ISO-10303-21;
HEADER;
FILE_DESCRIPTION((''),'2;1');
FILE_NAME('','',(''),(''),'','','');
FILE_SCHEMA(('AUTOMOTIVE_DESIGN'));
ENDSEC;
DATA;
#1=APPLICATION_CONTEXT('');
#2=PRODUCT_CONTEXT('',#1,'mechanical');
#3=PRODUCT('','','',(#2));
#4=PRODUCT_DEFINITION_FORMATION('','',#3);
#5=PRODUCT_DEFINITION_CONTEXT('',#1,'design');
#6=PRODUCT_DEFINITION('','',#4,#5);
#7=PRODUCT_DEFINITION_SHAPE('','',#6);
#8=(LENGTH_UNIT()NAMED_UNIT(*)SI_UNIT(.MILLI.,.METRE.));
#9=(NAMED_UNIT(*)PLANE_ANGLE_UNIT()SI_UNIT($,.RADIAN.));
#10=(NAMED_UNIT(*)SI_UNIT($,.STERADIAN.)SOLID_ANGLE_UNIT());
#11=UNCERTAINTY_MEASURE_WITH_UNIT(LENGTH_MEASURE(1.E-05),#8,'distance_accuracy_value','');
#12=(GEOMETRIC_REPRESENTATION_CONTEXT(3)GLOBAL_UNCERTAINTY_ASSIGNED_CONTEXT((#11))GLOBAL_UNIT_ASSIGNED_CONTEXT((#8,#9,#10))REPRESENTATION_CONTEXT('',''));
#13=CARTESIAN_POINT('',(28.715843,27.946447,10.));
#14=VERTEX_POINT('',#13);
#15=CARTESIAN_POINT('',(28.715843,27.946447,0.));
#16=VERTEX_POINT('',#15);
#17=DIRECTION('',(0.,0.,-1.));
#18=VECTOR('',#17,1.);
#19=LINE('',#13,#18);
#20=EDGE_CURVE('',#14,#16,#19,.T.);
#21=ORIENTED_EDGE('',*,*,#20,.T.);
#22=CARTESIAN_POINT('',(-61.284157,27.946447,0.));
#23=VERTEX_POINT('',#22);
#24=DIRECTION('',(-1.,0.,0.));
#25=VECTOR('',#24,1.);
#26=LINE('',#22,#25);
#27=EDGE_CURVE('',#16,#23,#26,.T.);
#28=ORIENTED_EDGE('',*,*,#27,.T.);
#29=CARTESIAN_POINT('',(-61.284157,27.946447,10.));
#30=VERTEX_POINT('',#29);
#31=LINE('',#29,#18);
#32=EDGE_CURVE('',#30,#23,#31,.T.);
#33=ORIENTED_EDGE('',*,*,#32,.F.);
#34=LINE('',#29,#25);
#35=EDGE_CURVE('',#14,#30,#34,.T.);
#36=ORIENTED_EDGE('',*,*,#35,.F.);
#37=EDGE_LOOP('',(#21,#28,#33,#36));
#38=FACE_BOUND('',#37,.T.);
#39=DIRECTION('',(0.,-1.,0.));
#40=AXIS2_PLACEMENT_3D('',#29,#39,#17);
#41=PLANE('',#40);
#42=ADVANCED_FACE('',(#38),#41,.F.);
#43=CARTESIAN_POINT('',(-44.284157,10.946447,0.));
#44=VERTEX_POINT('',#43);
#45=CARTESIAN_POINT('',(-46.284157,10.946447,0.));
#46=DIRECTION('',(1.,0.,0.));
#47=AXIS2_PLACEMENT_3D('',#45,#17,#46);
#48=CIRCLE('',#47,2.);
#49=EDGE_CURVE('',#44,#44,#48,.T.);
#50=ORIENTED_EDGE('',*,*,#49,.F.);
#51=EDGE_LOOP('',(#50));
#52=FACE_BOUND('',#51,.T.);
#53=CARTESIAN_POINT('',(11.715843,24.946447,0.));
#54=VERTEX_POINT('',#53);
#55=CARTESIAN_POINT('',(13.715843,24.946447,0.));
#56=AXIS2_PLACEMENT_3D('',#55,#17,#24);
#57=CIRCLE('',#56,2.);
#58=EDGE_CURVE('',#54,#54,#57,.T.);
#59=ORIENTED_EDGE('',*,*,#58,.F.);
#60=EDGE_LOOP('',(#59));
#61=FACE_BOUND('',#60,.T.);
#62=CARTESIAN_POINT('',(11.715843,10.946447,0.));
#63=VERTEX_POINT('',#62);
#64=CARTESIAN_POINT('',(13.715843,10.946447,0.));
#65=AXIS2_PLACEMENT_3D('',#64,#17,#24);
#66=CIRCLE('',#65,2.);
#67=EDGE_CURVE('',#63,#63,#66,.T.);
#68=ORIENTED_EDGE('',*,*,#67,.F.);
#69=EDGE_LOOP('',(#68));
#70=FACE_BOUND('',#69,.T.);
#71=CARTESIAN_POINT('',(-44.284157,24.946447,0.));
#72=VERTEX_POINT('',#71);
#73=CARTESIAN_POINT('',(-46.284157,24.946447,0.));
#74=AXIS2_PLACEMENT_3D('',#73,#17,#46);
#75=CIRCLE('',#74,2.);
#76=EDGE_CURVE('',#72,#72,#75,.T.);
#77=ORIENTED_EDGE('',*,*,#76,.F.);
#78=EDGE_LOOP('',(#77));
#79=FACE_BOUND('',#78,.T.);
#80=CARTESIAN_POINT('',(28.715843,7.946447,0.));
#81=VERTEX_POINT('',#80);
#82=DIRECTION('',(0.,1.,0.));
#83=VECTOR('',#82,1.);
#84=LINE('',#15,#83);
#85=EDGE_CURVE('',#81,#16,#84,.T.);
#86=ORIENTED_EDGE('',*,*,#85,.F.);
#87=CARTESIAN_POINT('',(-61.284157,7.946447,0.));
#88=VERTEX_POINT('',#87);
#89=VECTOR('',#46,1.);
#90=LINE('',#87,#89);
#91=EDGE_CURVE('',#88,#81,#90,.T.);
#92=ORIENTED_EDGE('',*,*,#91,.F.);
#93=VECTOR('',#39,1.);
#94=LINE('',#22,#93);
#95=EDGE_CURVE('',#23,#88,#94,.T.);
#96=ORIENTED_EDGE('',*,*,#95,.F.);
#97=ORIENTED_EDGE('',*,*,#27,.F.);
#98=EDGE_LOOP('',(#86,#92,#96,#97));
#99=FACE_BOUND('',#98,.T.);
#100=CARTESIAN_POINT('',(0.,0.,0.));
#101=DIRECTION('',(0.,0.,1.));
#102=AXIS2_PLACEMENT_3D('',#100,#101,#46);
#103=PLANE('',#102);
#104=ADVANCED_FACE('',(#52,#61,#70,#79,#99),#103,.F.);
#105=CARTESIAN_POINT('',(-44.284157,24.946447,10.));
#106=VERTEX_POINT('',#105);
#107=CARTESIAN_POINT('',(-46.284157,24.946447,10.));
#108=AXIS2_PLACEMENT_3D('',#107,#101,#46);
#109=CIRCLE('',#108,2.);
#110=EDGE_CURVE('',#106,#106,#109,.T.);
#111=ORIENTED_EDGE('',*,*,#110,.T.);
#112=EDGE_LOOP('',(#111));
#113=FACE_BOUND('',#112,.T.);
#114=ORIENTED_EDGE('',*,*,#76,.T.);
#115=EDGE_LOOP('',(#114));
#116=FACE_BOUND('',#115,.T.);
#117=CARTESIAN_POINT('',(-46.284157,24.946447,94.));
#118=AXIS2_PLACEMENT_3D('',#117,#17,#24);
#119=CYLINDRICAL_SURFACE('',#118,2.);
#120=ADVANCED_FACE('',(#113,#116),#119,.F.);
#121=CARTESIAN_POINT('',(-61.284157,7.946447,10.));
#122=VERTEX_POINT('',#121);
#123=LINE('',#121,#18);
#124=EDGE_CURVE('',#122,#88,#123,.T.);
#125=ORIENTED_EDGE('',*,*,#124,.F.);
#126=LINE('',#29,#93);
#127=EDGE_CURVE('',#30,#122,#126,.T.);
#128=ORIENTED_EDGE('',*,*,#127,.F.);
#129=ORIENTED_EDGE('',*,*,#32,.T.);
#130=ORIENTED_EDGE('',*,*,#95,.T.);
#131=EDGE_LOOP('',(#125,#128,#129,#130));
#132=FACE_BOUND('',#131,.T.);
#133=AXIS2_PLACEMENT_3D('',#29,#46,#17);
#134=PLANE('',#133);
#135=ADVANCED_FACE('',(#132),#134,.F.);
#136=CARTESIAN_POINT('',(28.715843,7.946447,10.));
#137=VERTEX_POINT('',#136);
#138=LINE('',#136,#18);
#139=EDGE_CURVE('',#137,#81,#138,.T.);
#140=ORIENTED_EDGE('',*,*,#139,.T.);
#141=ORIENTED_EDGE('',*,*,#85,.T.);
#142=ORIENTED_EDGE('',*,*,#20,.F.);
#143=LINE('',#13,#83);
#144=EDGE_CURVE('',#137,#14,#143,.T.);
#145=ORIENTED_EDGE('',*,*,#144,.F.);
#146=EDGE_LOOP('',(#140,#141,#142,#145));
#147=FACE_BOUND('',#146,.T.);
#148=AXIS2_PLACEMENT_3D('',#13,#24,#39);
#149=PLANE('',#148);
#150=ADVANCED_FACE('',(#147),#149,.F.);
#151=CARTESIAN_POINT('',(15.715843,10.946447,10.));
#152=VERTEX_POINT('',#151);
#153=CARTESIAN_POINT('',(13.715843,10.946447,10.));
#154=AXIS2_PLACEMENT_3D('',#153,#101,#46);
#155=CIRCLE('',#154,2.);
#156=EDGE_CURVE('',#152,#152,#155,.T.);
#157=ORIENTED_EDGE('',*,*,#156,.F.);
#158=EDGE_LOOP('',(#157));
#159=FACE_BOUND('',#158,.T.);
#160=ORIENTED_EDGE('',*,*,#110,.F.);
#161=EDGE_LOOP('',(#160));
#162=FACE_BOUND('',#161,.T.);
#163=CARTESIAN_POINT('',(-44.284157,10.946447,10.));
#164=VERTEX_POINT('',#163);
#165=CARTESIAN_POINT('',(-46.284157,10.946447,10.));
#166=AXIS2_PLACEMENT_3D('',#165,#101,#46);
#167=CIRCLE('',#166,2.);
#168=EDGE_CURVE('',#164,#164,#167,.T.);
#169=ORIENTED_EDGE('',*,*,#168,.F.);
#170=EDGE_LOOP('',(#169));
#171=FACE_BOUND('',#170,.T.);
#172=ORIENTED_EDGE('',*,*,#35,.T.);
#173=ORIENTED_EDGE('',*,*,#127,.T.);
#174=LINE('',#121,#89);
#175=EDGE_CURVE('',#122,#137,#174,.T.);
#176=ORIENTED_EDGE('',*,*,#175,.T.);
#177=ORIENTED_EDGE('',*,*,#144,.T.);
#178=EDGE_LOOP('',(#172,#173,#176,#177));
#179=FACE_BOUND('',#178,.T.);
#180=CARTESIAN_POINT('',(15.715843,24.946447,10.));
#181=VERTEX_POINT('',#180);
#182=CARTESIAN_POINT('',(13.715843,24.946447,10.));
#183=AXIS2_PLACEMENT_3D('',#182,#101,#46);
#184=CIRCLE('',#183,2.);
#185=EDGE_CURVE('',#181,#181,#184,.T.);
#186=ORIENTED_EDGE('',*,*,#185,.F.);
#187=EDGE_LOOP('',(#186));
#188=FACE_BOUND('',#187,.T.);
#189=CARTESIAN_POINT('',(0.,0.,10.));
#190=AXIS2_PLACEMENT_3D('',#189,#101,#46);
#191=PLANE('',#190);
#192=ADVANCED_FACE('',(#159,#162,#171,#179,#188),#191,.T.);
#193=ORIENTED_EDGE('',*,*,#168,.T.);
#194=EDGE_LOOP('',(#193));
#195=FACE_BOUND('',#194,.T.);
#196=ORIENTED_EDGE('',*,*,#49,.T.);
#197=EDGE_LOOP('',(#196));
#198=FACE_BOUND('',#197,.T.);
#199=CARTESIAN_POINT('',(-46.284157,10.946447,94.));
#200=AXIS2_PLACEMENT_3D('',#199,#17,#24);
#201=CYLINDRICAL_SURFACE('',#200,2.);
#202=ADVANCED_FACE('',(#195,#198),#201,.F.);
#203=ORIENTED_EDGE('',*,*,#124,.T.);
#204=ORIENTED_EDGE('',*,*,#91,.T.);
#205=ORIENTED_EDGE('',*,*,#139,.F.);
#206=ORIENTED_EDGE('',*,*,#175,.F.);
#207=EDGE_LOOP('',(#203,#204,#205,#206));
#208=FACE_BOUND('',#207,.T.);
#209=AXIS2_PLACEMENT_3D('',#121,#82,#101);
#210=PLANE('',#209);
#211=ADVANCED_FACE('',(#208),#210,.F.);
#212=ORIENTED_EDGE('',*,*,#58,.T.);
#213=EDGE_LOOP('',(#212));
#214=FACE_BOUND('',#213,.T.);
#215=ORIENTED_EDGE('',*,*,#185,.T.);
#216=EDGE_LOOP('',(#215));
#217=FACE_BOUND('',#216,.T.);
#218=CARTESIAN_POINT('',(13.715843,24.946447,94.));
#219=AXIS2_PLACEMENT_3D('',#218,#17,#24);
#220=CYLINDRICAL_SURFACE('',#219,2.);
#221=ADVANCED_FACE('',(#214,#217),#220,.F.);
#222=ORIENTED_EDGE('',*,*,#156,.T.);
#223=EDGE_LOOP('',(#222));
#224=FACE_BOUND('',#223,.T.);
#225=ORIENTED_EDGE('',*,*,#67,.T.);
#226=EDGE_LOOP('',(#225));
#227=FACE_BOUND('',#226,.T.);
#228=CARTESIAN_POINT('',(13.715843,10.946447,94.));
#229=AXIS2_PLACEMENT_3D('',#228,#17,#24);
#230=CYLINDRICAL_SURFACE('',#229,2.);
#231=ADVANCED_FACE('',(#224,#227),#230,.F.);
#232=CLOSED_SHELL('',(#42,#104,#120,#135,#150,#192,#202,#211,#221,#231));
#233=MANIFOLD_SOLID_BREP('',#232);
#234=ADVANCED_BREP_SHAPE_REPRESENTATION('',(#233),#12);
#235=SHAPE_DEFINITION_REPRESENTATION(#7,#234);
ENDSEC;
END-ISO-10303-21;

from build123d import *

# Parameters (mm, degrees)
ESQUISSE1_W             = 90
ESQUISSE1_H             = 20
BOSS_EXTRU_1_DEPTH      = 10
ESQUISSE2_R             = 2
ENL_V_MAT_EXTRU_2_DEPTH = 94


with BuildPart() as part:
    # Esquisse1 → Boss.-Extru.1 (new body)
    with BuildSketch(Plane.XY):
        with Locations((-16.284157465, 17.946446701)):
            Rectangle(ESQUISSE1_W, ESQUISSE1_H)
    extrude(amount=BOSS_EXTRU_1_DEPTH)

    # Esquisse2 → Enlèv. mat.-Extru.2 (cut)
    with BuildSketch(Plane(origin=(0, 0, 0), x_dir=(-1, 0, 0), z_dir=(0, 0, -1))):
        with Locations((-13.715842535, 24.946446701)):
            Circle(ESQUISSE2_R)
        with Locations((-13.715842535, 10.946446701)):
            Circle(ESQUISSE2_R)
        with Locations(Location((46.284157465, 10.946446701, 0), (0, 0, 180))):
            Circle(ESQUISSE2_R)
        with Locations(Location((46.284157465, 24.946446701, 0), (0, 0, 180))):
            Circle(ESQUISSE2_R)
    extrude(amount=-ENL_V_MAT_EXTRU_2_DEPTH, mode=Mode.SUBTRACT)


solid = part.part
